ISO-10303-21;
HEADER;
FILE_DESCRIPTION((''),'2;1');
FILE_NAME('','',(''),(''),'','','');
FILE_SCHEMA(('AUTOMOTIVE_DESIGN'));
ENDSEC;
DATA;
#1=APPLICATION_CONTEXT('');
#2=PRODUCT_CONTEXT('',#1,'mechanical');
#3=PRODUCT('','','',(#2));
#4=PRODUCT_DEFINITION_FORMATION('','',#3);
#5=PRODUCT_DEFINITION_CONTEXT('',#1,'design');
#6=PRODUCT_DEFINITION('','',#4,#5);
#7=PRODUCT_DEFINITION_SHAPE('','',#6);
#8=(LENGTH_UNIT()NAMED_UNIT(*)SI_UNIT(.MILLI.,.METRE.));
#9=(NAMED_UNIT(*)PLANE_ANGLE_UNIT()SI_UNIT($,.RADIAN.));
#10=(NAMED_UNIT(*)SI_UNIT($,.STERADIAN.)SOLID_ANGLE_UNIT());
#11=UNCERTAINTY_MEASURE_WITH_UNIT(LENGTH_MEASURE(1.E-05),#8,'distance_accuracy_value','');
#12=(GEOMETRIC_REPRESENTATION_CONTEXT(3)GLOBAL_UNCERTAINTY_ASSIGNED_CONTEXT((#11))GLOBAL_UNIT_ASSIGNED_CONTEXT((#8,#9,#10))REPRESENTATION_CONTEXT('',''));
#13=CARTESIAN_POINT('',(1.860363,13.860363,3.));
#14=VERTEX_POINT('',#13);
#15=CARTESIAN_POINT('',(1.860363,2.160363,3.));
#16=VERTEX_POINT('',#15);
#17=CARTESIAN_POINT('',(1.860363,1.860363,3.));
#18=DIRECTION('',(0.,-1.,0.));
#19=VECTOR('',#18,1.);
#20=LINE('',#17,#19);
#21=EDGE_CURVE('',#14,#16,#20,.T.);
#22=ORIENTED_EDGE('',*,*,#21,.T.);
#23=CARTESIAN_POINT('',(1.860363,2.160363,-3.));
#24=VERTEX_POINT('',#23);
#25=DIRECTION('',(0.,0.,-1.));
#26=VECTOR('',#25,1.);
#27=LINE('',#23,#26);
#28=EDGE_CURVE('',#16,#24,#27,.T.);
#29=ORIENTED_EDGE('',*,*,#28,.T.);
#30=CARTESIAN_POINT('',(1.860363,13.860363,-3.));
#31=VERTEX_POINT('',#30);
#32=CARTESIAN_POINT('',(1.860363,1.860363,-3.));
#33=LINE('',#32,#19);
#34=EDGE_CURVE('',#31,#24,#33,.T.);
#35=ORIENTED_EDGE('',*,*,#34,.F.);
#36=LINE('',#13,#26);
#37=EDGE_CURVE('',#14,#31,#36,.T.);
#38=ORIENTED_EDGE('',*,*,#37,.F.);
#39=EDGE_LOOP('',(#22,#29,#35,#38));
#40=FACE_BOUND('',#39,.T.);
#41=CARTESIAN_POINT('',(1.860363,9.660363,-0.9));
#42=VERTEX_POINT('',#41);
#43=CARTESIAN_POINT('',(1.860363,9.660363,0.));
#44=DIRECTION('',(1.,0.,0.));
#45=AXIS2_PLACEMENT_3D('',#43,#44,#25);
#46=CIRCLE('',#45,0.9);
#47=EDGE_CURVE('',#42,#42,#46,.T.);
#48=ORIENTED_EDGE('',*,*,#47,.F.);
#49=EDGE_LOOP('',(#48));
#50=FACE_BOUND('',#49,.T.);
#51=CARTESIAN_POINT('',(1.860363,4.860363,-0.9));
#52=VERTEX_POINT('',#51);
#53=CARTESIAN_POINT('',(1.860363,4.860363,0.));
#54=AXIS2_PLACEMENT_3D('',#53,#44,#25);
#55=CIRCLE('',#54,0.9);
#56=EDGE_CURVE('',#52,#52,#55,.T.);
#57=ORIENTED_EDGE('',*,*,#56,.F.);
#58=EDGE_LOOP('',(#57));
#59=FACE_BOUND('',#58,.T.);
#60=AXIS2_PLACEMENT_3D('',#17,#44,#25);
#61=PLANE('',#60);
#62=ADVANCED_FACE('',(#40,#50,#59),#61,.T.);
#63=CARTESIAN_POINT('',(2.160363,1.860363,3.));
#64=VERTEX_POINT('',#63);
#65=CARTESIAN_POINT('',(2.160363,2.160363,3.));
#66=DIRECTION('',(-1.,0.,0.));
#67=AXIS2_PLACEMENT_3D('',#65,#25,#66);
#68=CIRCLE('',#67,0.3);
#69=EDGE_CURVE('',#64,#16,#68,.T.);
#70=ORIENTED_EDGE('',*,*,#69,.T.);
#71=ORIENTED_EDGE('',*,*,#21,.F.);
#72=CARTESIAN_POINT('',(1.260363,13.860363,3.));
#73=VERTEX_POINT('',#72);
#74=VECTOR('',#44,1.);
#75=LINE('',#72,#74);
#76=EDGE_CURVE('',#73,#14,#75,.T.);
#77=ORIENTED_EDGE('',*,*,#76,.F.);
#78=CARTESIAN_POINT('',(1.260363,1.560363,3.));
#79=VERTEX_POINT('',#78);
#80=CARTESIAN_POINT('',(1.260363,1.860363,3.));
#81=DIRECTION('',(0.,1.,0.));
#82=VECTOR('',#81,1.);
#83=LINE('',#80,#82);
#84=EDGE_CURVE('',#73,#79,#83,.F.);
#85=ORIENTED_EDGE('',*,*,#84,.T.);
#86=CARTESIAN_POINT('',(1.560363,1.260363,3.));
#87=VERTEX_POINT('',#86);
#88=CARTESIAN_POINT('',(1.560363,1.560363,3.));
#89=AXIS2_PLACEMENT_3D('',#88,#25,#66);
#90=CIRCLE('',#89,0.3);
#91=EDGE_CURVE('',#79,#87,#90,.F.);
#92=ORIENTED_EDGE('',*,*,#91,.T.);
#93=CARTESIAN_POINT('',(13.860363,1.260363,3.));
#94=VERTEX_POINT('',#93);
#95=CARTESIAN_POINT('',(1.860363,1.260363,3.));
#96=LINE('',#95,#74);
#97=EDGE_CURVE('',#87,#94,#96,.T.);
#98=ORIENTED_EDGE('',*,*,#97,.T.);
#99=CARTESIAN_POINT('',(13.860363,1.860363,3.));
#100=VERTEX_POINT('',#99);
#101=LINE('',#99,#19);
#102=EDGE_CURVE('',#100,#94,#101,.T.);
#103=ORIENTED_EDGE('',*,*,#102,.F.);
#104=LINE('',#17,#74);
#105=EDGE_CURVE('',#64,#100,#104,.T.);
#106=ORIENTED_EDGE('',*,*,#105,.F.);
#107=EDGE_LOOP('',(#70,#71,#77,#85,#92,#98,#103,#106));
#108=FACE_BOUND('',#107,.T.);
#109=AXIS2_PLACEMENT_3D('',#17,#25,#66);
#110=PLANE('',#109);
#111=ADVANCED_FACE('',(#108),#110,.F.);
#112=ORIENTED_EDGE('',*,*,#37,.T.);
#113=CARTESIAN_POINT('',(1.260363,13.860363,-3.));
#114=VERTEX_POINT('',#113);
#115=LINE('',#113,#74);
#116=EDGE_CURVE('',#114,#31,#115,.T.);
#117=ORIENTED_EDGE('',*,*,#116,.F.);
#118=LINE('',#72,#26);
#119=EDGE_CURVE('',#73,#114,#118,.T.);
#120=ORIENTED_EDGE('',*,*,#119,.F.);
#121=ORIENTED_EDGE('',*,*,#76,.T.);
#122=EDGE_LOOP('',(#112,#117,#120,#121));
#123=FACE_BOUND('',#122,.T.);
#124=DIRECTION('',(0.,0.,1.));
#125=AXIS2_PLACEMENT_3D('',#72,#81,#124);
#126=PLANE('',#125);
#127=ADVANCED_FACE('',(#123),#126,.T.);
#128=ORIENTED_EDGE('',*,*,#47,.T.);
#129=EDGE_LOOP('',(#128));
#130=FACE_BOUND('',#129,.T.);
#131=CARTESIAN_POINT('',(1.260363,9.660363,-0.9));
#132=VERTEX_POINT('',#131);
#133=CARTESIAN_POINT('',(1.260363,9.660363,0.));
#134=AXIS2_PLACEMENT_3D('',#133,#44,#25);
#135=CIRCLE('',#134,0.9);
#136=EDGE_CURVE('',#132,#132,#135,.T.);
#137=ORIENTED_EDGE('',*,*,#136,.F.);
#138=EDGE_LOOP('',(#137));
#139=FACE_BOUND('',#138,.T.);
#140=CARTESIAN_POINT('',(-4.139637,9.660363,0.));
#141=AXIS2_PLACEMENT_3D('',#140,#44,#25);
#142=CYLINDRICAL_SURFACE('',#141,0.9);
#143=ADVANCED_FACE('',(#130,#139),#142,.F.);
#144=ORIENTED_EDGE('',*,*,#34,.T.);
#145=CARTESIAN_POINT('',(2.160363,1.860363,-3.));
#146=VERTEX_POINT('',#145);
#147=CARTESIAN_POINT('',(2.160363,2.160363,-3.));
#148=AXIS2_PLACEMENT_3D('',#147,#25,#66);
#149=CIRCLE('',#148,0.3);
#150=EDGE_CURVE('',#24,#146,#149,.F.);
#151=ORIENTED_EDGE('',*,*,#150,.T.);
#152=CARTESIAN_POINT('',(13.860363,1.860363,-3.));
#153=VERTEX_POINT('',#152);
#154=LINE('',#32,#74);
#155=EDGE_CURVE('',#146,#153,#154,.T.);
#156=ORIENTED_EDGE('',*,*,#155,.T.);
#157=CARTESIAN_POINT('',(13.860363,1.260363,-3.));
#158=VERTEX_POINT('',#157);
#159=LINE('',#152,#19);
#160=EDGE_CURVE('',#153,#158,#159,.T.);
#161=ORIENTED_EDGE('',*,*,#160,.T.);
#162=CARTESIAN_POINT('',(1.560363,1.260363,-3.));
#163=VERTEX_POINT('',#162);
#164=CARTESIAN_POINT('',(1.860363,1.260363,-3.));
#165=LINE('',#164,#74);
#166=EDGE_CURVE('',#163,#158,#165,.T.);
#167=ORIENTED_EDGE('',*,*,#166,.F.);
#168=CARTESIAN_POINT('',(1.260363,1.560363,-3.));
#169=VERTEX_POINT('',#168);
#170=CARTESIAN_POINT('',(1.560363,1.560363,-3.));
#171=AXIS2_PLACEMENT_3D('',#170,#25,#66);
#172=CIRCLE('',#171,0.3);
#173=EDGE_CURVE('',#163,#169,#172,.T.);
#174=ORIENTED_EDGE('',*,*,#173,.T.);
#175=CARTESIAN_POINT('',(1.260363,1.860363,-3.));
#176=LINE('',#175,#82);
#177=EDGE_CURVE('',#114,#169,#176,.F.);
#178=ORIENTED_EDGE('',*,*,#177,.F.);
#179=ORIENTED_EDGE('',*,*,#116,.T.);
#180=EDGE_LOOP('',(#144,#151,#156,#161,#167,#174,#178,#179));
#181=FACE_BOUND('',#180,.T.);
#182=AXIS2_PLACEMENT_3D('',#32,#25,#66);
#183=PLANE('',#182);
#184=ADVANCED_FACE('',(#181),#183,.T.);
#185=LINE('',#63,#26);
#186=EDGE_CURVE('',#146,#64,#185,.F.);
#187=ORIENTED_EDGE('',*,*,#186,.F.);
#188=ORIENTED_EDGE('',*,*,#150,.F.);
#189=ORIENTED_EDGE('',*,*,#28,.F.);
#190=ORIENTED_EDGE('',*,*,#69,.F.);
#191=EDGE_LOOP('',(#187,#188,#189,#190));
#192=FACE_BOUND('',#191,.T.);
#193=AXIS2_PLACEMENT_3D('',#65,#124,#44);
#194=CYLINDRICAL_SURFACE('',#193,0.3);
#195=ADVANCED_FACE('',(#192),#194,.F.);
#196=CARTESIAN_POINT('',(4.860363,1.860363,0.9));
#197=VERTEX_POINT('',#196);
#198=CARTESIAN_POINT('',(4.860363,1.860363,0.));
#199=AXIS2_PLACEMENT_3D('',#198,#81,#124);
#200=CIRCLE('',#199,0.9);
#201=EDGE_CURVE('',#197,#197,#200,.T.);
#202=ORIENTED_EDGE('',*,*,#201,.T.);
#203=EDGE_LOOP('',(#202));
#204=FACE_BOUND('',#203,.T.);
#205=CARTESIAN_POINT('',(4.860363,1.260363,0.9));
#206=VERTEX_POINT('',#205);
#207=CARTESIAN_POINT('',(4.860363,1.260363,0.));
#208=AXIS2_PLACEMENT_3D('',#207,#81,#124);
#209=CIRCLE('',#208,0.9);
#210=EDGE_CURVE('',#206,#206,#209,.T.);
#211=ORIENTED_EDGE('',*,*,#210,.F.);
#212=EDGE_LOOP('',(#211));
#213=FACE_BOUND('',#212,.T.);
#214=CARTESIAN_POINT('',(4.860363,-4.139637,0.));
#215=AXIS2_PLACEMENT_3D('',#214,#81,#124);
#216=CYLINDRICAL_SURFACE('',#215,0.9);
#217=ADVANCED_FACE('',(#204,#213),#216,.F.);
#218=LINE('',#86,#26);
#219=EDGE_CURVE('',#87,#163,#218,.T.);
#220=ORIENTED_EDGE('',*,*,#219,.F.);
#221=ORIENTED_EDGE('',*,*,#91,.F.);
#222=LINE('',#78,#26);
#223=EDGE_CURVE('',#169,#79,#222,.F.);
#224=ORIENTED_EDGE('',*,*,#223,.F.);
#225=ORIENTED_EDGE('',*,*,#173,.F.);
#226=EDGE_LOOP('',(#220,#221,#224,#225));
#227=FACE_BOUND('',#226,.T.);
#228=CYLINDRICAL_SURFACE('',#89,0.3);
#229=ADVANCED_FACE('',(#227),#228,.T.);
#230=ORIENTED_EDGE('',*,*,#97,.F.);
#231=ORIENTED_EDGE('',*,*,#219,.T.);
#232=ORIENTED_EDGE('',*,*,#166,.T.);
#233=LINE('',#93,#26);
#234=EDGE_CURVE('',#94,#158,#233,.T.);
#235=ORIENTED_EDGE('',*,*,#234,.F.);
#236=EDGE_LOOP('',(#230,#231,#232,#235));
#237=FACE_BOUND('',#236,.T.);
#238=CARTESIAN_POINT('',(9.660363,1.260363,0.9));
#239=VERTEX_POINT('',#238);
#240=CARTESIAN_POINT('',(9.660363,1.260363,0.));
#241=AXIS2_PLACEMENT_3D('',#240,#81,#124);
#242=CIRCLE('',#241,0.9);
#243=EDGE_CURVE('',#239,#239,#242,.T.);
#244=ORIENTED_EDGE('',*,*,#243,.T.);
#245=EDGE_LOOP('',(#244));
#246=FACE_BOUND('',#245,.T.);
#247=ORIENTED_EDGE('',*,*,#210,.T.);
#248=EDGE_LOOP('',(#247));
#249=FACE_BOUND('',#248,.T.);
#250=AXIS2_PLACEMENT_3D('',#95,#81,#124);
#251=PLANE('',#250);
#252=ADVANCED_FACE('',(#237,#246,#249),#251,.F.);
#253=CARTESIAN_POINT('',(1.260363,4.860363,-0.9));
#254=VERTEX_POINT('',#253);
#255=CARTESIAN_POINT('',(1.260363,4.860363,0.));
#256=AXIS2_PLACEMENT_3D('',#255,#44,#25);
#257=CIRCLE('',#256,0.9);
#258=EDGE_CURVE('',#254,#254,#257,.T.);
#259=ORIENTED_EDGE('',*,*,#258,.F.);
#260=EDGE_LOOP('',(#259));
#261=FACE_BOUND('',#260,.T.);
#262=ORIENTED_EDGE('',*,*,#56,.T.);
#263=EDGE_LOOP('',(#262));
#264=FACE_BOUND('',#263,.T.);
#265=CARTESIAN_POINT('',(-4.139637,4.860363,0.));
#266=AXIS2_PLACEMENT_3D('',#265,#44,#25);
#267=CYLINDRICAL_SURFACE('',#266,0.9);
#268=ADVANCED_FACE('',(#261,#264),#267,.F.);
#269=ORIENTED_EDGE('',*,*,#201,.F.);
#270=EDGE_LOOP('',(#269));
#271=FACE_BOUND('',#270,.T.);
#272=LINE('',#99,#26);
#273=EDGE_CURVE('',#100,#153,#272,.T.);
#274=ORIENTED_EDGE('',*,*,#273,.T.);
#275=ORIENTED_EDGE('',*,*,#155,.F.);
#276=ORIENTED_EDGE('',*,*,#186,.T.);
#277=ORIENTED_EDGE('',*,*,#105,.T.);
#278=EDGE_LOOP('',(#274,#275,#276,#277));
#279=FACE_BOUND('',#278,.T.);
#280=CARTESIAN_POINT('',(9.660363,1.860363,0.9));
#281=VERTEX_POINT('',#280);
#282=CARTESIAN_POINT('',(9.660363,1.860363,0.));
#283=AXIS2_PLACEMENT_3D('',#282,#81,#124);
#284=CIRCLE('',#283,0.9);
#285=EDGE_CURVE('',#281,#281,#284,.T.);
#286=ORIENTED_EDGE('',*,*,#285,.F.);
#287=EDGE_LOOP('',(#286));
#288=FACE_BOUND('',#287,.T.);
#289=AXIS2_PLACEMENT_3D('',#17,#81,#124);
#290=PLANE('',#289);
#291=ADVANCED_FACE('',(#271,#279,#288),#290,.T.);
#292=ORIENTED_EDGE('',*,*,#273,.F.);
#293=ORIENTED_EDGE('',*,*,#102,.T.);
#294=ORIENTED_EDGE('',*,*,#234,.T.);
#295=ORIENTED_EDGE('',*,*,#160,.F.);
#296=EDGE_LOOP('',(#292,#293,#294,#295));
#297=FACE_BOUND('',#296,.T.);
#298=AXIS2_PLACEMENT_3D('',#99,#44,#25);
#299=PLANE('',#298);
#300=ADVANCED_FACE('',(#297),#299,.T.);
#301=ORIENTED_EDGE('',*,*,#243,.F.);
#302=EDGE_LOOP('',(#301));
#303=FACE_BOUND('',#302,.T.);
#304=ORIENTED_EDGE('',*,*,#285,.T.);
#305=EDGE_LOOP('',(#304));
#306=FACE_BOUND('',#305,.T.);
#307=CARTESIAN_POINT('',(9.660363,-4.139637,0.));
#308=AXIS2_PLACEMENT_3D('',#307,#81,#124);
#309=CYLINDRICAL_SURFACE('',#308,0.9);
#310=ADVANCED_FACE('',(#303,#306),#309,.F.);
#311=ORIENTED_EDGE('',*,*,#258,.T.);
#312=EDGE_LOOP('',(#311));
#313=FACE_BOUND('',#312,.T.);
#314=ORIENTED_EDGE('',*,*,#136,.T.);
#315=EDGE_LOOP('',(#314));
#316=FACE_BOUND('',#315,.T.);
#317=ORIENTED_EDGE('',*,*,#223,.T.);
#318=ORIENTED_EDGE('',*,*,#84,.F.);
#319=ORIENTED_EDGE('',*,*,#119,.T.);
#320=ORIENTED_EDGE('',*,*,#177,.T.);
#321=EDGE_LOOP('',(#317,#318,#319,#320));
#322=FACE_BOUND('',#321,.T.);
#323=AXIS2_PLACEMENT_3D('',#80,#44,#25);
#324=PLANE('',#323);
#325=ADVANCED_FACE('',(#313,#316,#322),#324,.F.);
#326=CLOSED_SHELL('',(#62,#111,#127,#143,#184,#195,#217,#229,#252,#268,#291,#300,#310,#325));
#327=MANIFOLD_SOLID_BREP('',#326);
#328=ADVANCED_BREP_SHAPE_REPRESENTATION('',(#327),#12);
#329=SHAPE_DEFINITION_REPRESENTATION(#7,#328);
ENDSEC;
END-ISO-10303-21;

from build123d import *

# Parameters (mm, degrees)
EKSTR_ZYON_NCE1_DEPTH = 5
RADYUS1_R             = 0.5
IZIM2_R               = 1.5
KES_EKSTR_ZYON1_DEPTH = 10
IZIM4_R               = 1.5
KES_EKSTR_ZYON2_DEPTH = 10
SCALE3_SCALE          = 0.6


with BuildPart() as part:
    # Çizim1 → Ekstrüzyon-İnce1 (new, symmetric)
    with BuildSketch(Plane.XY):
        Polygon((20, 0), (0, 0), (0, 20), (-1, 20), (-1, -1), (20, -1), align=None)
    extrude(amount=EKSTR_ZYON_NCE1_DEPTH, both=True)

    # Radyus1
    radyus1_edges = [part.edges().sort_by_distance(p)[0] for p in [
        (-1, -1, 0),
        (0, 0, 0),
    ]]
    fillet(radyus1_edges, radius=RADYUS1_R)

    # Çizim2 → Kes-Ekstrüzyon1 (cut)
    with BuildSketch(Plane(origin=(0, 0, 0), x_dir=(0, 0, -1), z_dir=(1, 0, 0))):
        with Locations((0, 13)):
            Circle(IZIM2_R)
        with Locations((0, 5)):
            Circle(IZIM2_R)
    extrude(amount=-KES_EKSTR_ZYON1_DEPTH, mode=Mode.SUBTRACT)

    # Çizim4 → Kes-Ekstrüzyon2 (cut)
    with BuildSketch(Plane(origin=(0, 0, 0), x_dir=(1, 0, 0), z_dir=(0, 1, 0))):
        with Locations(Location((5, 0, 0), (0, 0, 270))):
            Circle(IZIM4_R)
        with Locations(Location((13, 0, 0), (0, 0, 270))):
            Circle(IZIM4_R)
    extrude(amount=-KES_EKSTR_ZYON2_DEPTH, mode=Mode.SUBTRACT)


with BuildPart() as part_1:
    # Scale3: scaled about (4.650907034, 4.650907034, 0)
    add(part.part.scale(SCALE3_SCALE).moved(Location((1.860362814, 1.860362814, 0))))


solid = part_1.part
